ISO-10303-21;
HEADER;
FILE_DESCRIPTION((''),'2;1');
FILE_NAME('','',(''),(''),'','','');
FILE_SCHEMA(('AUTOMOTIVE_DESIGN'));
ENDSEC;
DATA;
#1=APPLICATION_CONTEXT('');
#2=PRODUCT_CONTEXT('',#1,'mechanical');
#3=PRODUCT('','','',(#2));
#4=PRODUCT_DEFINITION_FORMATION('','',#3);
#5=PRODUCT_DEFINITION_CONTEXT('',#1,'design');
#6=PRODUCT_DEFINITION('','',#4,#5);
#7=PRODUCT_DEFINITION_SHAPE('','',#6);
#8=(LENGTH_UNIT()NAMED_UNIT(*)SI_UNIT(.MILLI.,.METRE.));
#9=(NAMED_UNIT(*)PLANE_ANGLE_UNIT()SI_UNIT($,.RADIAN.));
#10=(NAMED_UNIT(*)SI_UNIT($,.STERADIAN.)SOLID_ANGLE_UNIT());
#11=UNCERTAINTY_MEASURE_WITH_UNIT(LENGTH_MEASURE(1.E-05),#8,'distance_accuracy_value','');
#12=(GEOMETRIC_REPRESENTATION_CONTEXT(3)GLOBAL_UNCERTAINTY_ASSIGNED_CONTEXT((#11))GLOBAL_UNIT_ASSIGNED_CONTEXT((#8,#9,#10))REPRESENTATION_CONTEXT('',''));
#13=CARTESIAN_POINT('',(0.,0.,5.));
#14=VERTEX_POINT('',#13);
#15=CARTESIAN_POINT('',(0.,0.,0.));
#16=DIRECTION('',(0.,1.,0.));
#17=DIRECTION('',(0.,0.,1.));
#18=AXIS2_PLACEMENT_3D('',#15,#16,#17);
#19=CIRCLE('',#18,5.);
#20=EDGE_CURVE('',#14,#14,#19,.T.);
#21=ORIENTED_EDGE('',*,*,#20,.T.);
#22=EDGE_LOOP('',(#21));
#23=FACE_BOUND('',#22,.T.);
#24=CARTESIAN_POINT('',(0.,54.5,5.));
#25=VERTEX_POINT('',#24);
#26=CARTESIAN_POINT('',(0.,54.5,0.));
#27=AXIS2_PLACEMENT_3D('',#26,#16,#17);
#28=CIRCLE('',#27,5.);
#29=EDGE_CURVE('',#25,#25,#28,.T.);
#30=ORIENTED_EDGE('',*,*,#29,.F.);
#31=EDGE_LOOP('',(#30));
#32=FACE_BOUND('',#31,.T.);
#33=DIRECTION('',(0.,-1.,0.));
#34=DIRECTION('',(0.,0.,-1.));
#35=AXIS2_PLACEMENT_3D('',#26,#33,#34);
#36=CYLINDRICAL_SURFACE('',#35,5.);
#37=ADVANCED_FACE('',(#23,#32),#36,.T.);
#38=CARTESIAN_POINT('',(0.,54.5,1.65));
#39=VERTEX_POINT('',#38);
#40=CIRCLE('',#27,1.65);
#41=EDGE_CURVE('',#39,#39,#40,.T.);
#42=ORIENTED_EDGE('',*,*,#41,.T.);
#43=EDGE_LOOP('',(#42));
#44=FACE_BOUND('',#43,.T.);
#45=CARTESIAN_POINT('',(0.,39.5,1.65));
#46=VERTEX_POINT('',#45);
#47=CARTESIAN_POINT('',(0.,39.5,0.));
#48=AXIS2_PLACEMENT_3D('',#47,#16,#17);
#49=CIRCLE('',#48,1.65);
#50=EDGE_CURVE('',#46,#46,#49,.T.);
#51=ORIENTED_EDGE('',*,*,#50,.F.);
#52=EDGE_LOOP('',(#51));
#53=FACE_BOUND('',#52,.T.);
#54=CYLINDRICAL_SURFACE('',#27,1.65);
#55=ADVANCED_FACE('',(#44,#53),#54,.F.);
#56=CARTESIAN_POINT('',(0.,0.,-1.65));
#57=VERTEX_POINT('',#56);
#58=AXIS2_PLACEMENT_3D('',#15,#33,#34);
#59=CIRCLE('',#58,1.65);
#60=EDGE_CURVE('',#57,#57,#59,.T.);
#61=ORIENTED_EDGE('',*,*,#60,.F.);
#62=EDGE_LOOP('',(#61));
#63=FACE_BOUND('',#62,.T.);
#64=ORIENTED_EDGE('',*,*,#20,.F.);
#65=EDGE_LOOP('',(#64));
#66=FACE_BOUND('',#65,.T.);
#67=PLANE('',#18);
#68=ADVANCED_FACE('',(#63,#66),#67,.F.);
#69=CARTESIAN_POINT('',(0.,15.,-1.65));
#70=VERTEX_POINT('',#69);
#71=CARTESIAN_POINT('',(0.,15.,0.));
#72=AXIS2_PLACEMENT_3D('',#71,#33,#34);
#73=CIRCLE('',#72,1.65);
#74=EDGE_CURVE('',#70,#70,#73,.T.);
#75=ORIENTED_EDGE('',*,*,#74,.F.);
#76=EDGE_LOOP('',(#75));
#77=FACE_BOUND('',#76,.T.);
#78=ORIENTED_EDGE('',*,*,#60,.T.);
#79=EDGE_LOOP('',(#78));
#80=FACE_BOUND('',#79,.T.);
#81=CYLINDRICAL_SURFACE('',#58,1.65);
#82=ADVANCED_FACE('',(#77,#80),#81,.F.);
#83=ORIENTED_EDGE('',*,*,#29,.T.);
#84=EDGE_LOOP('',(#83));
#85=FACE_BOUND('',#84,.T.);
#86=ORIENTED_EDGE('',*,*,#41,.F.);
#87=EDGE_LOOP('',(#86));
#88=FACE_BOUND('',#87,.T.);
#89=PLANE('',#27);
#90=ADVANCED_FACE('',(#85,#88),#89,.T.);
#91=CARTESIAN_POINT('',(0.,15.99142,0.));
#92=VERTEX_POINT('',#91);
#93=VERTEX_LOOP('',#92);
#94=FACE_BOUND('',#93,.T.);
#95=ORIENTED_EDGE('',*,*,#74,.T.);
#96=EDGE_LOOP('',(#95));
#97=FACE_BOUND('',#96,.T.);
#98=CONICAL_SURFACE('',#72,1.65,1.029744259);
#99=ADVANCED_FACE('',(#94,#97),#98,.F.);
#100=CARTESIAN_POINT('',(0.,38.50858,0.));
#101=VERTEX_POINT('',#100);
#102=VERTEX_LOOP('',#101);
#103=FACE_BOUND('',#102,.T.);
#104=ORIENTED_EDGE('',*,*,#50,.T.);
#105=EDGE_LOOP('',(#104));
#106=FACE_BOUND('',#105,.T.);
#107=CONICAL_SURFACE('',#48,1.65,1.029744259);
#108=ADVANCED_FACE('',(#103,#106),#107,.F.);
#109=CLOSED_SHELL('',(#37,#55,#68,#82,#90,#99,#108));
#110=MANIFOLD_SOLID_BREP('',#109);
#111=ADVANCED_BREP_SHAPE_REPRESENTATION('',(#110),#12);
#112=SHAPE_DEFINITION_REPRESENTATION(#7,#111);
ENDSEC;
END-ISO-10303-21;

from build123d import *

# Parameters (mm, degrees)
SKETCH_1_R      = 5
EXTRUDE_1_DEPTH = 54.5


with BuildPart() as part:
    # ｽｹｯﾁ1 → ﾎﾞｽ - 押し出し1 (new body)
    with BuildSketch(Plane(origin=(0, 0, 0), x_dir=(1, 0, 0), z_dir=(0, 1, 0))):
        with Locations(Location((0, 0, 0), (0, 0, 270))):
            Circle(SKETCH_1_R)
    extrude(amount=EXTRUDE_1_DEPTH)

    # ｽｹｯﾁ3 → M4x0.7 ねじ穴1 (revolve, cut)
    with BuildSketch(Plane(origin=(0, 54.5, 0), x_dir=(0, 0, 1), z_dir=(1, 0, 0))):
        Polygon((0, 0), (0, 15.991420021), (1.65, 15), (1.65, 0), align=None)
    m4x0_7_1 = revolve(axis=Axis((0, 60.85, 0), (0, -1, 0)), mode=Mode.SUBTRACT)

    # ﾐﾗｰ1: M4x0.7 ねじ穴1 across plane
    add(m4x0_7_1.mirror(Plane.ZX.offset(27.25)), mode=Mode.SUBTRACT)


solid = part.part
